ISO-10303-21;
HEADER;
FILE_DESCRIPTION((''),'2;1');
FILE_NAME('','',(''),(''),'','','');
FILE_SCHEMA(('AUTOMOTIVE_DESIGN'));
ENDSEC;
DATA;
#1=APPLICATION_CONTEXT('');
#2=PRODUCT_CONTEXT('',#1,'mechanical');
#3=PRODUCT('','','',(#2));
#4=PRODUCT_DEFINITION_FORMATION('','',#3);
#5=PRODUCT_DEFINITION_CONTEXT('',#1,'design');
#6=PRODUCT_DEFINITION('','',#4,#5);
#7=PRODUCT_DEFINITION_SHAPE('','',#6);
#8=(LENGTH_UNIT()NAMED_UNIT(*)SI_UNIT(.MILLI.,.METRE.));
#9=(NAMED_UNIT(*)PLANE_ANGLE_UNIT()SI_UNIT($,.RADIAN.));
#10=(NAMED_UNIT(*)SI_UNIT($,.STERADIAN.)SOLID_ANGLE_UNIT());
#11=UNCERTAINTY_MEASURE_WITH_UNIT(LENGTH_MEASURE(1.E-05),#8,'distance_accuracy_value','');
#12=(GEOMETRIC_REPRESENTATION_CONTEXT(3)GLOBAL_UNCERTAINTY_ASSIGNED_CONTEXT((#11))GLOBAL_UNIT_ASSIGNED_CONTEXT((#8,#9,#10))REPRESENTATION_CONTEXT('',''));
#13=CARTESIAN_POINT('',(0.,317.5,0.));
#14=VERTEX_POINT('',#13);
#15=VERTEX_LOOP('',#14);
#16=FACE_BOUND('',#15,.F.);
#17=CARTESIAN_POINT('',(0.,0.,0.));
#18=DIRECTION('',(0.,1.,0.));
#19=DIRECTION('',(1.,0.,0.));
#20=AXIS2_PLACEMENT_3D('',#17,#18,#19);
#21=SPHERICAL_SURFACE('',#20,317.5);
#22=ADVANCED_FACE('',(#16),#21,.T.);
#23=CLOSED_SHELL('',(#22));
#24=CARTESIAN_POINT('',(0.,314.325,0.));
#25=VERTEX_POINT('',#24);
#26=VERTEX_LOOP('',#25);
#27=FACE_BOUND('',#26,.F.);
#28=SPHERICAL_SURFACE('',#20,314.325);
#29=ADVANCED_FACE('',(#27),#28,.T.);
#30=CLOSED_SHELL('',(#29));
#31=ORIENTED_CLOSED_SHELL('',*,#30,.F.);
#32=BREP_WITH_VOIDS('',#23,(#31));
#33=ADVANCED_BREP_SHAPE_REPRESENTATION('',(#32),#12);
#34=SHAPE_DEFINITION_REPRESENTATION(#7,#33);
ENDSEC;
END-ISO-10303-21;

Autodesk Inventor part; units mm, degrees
ref_plane "YZ Plane" through (0, 0, 0) normal (1, 0, 0) x (0, 1, 0)
ref_plane "XZ Plane" through (0, 0, 0) normal (0, 1, 0) x (-1, 0, 0)
ref_plane "XY Plane" through (0, 0, 0) normal (0, 0, 1) x (1, 0, 0)
sketch "Sketch1" plane through (0, 0, 0) normal (0, 0, 1) x (1, 0, 0)
  arc A0 (0, -317.5) -> (0, 317.5) centre (0, 0) ccw
  arc A1 (0, -314.325) -> (0, 314.325) centre (0, 0) ccw
  line L0 (0, 421.0105) -> (0, -428.3933)
  dimension "d0" = 635
  dimension "d1" = 3.175
revolve "Revolution1" add sketch "Sketch1" angle 360 about axis through (0, 421.0105, 0) along (0, -1, 0) contours L0 A1 A0
properties part number "Ball"
